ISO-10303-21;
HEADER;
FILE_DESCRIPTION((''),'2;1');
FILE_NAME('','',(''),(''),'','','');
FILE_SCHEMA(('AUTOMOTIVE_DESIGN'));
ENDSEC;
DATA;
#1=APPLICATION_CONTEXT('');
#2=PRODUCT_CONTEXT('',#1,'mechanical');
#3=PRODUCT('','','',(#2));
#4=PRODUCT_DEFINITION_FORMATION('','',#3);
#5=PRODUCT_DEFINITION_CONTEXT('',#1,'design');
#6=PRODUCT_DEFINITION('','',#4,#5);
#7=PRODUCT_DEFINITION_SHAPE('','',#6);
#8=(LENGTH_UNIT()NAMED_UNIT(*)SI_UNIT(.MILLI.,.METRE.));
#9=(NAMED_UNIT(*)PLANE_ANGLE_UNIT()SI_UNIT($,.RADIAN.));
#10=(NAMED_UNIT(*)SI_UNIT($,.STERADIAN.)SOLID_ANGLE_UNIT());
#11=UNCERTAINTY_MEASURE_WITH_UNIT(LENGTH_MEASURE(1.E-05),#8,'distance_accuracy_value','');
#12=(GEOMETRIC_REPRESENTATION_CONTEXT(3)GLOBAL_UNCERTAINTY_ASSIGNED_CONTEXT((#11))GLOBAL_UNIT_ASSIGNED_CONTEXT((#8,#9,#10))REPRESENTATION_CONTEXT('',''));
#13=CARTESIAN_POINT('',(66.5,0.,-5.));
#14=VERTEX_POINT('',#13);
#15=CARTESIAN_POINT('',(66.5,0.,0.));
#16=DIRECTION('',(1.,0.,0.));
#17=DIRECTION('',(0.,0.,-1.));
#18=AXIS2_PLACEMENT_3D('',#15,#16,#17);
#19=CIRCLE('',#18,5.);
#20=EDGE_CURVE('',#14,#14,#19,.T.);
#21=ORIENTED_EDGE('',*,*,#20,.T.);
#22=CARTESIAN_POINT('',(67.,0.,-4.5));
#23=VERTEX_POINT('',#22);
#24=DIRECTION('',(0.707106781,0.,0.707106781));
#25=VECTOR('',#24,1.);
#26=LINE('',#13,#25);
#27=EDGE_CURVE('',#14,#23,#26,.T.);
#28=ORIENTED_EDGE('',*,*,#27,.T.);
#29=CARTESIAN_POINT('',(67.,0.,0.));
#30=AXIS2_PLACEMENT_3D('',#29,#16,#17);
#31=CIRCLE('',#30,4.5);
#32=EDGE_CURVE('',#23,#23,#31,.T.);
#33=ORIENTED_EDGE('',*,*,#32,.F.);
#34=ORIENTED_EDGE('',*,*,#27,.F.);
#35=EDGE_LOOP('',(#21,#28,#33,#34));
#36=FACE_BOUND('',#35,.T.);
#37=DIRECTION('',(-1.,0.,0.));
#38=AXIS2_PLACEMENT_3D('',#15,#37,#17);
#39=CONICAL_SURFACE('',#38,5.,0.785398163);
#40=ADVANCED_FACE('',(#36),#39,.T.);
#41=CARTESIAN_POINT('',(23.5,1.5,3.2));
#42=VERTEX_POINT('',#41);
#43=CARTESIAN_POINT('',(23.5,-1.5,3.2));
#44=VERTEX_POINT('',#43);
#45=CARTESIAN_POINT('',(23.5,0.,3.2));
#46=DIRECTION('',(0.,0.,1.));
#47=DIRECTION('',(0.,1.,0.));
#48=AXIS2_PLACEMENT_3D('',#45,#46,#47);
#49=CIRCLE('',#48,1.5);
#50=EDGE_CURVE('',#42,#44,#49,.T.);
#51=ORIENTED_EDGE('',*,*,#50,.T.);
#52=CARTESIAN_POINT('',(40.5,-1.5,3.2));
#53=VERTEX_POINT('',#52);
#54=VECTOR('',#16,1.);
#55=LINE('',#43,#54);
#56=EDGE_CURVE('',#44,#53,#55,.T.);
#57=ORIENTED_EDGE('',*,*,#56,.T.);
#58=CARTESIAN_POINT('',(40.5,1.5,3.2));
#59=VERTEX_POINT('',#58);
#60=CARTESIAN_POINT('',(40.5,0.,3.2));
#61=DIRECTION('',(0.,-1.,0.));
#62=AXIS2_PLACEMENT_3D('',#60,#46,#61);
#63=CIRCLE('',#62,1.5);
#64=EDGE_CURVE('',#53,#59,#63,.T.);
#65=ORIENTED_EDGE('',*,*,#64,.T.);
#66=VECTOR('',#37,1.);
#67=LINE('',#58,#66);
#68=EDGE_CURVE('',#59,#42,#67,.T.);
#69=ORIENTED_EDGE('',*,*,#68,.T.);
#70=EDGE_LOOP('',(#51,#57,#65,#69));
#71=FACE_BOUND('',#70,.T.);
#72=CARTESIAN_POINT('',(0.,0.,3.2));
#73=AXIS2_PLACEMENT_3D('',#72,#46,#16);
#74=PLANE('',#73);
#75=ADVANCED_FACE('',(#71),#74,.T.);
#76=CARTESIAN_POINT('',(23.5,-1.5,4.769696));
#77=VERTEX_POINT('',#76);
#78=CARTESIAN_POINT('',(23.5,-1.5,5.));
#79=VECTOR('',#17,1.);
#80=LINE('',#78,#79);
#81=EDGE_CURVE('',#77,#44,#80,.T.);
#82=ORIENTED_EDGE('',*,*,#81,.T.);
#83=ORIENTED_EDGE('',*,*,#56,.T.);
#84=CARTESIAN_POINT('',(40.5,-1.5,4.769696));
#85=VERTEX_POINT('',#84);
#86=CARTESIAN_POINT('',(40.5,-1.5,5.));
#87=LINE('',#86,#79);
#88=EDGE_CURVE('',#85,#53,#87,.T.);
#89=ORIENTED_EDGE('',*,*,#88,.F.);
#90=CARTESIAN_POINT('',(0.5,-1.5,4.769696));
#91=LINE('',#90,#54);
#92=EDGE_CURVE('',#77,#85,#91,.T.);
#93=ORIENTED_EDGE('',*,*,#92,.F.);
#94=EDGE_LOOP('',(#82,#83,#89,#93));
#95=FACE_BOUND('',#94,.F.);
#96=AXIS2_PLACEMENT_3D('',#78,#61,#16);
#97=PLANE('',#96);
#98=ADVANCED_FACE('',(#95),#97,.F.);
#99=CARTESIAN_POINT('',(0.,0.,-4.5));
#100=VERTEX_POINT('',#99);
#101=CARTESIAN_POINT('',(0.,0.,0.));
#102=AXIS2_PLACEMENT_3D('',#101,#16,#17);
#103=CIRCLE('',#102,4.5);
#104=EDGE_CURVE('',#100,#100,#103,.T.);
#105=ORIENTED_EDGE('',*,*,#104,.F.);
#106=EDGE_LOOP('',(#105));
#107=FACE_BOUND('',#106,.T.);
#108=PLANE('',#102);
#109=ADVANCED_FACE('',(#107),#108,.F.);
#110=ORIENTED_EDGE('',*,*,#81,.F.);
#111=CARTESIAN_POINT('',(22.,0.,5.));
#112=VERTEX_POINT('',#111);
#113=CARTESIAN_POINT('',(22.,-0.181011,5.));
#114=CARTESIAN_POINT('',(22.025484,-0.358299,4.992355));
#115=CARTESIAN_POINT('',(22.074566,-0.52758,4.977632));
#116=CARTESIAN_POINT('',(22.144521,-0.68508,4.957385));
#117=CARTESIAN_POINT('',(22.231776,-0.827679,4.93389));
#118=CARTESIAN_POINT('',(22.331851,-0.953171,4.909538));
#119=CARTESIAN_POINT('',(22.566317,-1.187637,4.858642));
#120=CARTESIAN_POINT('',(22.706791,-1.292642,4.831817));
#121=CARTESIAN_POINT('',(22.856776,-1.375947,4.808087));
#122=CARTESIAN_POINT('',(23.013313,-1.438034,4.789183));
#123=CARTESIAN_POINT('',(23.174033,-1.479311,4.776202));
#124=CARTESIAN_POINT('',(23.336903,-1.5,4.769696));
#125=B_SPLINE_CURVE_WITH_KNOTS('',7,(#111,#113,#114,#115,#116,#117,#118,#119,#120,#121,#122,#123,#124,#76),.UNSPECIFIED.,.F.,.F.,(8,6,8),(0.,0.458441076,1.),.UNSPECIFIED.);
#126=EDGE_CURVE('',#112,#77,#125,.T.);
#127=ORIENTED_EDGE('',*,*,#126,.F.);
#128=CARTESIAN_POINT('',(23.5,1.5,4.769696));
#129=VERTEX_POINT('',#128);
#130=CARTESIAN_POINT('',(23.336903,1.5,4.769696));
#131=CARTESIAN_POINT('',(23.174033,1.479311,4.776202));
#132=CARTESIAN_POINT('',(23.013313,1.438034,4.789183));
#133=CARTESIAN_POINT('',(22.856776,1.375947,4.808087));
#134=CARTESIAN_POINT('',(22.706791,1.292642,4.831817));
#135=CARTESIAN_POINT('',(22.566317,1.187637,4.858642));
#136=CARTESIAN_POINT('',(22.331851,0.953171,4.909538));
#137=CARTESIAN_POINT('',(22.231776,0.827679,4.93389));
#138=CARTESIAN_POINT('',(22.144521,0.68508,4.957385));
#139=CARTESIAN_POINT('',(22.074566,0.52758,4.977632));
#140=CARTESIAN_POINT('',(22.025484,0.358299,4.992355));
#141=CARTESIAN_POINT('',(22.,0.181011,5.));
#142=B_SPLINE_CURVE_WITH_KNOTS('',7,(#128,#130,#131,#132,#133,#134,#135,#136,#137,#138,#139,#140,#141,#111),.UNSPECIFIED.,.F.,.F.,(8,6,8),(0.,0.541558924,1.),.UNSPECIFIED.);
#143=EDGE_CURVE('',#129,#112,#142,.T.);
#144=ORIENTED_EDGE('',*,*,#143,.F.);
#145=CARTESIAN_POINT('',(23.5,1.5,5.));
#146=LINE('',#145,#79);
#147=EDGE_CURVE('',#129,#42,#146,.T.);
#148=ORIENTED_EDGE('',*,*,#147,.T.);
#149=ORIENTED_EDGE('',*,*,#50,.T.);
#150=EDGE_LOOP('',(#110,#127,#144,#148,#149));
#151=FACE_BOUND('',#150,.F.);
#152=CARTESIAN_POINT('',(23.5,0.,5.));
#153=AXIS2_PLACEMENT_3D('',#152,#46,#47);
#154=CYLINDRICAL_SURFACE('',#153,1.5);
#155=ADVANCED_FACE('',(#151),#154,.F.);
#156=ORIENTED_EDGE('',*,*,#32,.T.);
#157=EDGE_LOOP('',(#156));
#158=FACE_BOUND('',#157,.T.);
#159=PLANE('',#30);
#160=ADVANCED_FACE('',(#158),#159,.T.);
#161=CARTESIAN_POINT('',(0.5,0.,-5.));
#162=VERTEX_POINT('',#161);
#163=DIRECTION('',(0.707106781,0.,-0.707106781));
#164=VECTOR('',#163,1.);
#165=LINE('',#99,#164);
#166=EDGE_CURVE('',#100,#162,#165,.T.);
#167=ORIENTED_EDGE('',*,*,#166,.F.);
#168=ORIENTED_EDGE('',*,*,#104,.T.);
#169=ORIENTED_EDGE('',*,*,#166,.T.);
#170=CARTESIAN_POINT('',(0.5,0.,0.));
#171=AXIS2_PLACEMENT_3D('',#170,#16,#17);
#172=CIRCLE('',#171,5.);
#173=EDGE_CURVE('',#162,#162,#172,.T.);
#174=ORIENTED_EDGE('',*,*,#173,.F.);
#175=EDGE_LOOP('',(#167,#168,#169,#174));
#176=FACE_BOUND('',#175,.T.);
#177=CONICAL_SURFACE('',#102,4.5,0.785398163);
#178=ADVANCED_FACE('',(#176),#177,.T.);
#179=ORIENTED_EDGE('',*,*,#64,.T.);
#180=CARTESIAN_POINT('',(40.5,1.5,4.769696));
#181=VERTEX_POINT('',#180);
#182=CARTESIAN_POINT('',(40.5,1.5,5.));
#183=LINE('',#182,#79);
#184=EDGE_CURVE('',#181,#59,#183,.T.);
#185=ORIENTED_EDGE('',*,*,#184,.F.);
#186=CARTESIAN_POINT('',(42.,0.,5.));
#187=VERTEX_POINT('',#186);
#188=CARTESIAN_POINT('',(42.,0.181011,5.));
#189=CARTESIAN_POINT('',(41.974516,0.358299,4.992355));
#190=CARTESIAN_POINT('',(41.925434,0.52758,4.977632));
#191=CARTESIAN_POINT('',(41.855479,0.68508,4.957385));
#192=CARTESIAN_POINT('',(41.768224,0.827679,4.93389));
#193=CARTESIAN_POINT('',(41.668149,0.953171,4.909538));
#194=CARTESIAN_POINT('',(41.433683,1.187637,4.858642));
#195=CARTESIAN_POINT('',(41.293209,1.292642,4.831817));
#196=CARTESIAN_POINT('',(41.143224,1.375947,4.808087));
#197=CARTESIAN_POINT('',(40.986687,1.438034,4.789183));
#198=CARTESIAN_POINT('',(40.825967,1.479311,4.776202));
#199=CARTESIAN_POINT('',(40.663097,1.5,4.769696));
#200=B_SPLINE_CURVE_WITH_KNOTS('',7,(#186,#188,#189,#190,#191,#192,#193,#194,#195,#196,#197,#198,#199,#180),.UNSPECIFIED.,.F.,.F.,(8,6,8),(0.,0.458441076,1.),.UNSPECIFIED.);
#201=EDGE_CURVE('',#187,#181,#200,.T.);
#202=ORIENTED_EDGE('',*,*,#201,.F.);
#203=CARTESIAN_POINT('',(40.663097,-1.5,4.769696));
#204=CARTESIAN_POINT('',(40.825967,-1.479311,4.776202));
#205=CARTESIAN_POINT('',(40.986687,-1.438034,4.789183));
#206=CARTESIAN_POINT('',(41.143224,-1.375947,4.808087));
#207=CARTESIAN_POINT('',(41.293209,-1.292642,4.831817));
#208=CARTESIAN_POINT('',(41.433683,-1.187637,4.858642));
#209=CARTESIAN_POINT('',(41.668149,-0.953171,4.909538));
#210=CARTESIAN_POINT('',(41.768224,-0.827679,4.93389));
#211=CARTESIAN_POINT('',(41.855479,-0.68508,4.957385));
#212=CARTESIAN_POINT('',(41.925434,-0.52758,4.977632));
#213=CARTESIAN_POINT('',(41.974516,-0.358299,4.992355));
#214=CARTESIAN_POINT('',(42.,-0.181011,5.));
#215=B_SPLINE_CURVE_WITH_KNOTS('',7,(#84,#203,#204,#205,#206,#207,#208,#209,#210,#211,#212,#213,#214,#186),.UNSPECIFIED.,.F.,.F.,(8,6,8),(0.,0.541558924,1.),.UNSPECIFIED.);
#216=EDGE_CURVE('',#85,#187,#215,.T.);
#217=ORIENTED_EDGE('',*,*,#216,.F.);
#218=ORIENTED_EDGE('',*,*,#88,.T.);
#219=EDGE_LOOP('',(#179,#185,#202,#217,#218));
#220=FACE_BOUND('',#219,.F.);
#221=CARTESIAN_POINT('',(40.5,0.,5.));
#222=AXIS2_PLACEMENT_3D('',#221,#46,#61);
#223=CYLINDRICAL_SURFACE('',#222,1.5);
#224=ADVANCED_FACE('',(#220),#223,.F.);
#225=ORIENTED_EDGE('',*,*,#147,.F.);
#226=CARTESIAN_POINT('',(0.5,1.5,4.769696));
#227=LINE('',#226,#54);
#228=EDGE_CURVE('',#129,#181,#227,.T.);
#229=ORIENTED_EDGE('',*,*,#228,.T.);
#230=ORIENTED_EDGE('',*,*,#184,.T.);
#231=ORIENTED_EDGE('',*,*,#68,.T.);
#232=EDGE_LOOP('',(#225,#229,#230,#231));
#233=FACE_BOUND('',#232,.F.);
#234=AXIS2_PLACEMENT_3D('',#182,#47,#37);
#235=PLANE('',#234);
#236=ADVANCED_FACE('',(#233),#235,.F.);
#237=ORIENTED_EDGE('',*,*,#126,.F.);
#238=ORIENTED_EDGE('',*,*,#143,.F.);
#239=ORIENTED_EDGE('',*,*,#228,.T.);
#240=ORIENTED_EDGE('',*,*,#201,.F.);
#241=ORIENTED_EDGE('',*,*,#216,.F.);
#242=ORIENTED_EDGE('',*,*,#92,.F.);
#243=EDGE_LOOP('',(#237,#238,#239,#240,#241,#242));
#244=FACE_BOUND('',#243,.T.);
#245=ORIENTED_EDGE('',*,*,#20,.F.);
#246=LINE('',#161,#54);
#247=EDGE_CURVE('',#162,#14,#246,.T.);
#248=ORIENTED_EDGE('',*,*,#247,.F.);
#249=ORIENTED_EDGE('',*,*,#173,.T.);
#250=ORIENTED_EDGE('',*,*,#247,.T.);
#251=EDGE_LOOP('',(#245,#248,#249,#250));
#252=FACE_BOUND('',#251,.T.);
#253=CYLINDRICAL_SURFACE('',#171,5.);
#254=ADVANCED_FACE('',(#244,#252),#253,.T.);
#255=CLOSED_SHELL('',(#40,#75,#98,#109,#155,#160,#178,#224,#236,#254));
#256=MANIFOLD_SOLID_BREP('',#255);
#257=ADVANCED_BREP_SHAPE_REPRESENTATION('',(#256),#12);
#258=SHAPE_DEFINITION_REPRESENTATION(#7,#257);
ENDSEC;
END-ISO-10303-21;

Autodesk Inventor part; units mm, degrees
ref_plane "YZ Plane" through (0, 0, 0) normal (1, 0, 0) x (0, 1, 0)
ref_plane "XZ Plane" through (0, 0, 0) normal (0, 1, 0) x (-1, 0, 0)
ref_plane "XY Plane" through (0, 0, 0) normal (0, 0, 1) x (1, 0, 0)
sketch "Sketch_1" plane through (0, 0, 0) normal (0, 1, 0) x (-1, 0, 0)
  line L0 (-67, 0) -> (0, 0)
  line L1 (0, 0) -> (0, -4.5)
  line L2 (0, -4.5) -> (-0.5, -5)
  line L3 (-0.5, -5) -> (-66.5, -5)
  line L4 (-66.5, -5) -> (-67, -4.5)
  line L5 (-67, -4.5) -> (-67, 0)
  line L6 (-67, 0) -> (0, 0)
revolve "Revolution1" add sketch "Sketch_1" angle 360 about axis through (67, 0, 0) along (1, 0, 0)
sketch "_____13" plane through (0, 0, 5) normal (0, 0, 1) x (1, 0, 0)
  arc A0 (23.5, 1.5) -> (23.5, -1.5) centre (23.5, 0) ccw
  line L0 (23.5, -1.5) -> (40.5, -1.5)
  arc A1 (40.5, -1.5) -> (40.5, 1.5) centre (40.5, 0) ccw
  line L1 (40.5, 1.5) -> (23.5, 1.5)
extrude "Extrusion1" cut sketch "_____13" against normal blind 1.8
properties part number "NSFMKR10-67-KA22-A20_s"
